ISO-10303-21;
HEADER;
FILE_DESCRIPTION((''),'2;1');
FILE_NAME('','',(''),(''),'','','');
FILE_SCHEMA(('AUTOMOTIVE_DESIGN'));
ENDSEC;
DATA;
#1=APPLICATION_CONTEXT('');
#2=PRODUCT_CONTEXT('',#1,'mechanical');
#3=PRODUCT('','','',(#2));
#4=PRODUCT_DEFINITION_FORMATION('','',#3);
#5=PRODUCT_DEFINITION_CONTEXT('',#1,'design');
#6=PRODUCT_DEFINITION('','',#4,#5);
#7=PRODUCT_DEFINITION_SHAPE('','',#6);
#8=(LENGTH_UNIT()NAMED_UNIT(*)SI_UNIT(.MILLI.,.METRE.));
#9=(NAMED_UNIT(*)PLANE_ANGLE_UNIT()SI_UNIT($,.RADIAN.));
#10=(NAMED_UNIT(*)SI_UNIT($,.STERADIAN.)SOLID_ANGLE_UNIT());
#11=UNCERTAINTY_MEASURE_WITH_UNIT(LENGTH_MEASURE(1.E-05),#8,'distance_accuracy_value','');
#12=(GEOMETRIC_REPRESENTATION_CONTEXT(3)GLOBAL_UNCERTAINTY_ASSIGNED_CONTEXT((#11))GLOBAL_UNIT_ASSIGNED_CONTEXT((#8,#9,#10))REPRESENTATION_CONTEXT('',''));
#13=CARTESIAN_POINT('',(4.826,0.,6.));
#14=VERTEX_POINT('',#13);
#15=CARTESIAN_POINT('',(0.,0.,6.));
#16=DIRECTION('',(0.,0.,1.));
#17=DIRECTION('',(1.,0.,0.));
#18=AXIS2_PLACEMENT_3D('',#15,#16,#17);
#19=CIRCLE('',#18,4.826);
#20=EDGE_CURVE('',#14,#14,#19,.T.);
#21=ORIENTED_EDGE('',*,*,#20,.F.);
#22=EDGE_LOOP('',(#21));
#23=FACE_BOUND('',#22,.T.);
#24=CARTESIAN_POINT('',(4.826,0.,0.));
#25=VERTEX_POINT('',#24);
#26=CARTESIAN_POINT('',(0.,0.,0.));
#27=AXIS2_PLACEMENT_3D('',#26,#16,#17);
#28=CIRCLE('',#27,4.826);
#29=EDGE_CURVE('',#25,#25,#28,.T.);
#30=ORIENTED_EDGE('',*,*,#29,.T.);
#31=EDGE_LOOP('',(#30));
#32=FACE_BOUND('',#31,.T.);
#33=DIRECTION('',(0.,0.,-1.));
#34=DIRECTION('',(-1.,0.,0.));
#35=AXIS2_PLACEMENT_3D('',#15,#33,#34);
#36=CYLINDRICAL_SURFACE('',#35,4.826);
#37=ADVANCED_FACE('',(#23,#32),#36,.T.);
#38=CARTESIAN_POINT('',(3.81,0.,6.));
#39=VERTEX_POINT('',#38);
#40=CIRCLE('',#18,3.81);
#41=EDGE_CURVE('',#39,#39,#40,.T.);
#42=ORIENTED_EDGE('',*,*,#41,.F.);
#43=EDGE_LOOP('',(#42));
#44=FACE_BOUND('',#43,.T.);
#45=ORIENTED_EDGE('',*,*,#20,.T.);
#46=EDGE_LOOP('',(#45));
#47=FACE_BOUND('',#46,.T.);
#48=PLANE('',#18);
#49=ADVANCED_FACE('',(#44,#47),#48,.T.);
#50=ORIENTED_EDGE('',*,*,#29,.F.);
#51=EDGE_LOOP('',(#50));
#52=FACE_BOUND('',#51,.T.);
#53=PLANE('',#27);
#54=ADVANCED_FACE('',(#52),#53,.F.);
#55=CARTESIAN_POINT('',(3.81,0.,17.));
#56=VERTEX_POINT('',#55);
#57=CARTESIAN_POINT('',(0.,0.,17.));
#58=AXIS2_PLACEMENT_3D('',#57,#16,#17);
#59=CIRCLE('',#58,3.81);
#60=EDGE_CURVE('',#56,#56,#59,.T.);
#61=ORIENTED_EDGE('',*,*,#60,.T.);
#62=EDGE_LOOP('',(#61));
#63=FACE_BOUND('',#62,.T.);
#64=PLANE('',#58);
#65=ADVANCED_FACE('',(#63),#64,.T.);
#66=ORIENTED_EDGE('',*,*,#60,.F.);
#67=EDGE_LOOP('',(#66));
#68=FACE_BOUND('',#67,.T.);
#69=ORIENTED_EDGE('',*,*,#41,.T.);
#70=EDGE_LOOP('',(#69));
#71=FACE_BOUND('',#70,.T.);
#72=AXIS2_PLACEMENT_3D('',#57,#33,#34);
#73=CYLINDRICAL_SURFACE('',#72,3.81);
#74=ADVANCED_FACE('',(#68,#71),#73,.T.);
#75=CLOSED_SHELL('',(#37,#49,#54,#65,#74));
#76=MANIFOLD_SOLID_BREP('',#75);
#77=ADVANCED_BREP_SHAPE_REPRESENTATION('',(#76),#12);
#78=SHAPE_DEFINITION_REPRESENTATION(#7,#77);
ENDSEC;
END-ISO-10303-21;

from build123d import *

# Parameters (mm, degrees)
SKETCH2_R           = 4.826
BOSS_EXTRUDE1_DEPTH = 6
SKETCH4_R           = 3.81
BOSS_EXTRUDE2_DEPTH = 11


with BuildPart() as part:
    # Sketch2 → Boss-Extrude1 (new body)
    with BuildSketch(Plane.XY):
        Circle(SKETCH2_R)
    extrude(amount=BOSS_EXTRUDE1_DEPTH)

    # Sketch4 → Boss-Extrude2 (add)
    with BuildSketch(Plane.XY.offset(6)):
        Circle(SKETCH4_R)
    extrude(amount=BOSS_EXTRUDE2_DEPTH)


solid = part.part
